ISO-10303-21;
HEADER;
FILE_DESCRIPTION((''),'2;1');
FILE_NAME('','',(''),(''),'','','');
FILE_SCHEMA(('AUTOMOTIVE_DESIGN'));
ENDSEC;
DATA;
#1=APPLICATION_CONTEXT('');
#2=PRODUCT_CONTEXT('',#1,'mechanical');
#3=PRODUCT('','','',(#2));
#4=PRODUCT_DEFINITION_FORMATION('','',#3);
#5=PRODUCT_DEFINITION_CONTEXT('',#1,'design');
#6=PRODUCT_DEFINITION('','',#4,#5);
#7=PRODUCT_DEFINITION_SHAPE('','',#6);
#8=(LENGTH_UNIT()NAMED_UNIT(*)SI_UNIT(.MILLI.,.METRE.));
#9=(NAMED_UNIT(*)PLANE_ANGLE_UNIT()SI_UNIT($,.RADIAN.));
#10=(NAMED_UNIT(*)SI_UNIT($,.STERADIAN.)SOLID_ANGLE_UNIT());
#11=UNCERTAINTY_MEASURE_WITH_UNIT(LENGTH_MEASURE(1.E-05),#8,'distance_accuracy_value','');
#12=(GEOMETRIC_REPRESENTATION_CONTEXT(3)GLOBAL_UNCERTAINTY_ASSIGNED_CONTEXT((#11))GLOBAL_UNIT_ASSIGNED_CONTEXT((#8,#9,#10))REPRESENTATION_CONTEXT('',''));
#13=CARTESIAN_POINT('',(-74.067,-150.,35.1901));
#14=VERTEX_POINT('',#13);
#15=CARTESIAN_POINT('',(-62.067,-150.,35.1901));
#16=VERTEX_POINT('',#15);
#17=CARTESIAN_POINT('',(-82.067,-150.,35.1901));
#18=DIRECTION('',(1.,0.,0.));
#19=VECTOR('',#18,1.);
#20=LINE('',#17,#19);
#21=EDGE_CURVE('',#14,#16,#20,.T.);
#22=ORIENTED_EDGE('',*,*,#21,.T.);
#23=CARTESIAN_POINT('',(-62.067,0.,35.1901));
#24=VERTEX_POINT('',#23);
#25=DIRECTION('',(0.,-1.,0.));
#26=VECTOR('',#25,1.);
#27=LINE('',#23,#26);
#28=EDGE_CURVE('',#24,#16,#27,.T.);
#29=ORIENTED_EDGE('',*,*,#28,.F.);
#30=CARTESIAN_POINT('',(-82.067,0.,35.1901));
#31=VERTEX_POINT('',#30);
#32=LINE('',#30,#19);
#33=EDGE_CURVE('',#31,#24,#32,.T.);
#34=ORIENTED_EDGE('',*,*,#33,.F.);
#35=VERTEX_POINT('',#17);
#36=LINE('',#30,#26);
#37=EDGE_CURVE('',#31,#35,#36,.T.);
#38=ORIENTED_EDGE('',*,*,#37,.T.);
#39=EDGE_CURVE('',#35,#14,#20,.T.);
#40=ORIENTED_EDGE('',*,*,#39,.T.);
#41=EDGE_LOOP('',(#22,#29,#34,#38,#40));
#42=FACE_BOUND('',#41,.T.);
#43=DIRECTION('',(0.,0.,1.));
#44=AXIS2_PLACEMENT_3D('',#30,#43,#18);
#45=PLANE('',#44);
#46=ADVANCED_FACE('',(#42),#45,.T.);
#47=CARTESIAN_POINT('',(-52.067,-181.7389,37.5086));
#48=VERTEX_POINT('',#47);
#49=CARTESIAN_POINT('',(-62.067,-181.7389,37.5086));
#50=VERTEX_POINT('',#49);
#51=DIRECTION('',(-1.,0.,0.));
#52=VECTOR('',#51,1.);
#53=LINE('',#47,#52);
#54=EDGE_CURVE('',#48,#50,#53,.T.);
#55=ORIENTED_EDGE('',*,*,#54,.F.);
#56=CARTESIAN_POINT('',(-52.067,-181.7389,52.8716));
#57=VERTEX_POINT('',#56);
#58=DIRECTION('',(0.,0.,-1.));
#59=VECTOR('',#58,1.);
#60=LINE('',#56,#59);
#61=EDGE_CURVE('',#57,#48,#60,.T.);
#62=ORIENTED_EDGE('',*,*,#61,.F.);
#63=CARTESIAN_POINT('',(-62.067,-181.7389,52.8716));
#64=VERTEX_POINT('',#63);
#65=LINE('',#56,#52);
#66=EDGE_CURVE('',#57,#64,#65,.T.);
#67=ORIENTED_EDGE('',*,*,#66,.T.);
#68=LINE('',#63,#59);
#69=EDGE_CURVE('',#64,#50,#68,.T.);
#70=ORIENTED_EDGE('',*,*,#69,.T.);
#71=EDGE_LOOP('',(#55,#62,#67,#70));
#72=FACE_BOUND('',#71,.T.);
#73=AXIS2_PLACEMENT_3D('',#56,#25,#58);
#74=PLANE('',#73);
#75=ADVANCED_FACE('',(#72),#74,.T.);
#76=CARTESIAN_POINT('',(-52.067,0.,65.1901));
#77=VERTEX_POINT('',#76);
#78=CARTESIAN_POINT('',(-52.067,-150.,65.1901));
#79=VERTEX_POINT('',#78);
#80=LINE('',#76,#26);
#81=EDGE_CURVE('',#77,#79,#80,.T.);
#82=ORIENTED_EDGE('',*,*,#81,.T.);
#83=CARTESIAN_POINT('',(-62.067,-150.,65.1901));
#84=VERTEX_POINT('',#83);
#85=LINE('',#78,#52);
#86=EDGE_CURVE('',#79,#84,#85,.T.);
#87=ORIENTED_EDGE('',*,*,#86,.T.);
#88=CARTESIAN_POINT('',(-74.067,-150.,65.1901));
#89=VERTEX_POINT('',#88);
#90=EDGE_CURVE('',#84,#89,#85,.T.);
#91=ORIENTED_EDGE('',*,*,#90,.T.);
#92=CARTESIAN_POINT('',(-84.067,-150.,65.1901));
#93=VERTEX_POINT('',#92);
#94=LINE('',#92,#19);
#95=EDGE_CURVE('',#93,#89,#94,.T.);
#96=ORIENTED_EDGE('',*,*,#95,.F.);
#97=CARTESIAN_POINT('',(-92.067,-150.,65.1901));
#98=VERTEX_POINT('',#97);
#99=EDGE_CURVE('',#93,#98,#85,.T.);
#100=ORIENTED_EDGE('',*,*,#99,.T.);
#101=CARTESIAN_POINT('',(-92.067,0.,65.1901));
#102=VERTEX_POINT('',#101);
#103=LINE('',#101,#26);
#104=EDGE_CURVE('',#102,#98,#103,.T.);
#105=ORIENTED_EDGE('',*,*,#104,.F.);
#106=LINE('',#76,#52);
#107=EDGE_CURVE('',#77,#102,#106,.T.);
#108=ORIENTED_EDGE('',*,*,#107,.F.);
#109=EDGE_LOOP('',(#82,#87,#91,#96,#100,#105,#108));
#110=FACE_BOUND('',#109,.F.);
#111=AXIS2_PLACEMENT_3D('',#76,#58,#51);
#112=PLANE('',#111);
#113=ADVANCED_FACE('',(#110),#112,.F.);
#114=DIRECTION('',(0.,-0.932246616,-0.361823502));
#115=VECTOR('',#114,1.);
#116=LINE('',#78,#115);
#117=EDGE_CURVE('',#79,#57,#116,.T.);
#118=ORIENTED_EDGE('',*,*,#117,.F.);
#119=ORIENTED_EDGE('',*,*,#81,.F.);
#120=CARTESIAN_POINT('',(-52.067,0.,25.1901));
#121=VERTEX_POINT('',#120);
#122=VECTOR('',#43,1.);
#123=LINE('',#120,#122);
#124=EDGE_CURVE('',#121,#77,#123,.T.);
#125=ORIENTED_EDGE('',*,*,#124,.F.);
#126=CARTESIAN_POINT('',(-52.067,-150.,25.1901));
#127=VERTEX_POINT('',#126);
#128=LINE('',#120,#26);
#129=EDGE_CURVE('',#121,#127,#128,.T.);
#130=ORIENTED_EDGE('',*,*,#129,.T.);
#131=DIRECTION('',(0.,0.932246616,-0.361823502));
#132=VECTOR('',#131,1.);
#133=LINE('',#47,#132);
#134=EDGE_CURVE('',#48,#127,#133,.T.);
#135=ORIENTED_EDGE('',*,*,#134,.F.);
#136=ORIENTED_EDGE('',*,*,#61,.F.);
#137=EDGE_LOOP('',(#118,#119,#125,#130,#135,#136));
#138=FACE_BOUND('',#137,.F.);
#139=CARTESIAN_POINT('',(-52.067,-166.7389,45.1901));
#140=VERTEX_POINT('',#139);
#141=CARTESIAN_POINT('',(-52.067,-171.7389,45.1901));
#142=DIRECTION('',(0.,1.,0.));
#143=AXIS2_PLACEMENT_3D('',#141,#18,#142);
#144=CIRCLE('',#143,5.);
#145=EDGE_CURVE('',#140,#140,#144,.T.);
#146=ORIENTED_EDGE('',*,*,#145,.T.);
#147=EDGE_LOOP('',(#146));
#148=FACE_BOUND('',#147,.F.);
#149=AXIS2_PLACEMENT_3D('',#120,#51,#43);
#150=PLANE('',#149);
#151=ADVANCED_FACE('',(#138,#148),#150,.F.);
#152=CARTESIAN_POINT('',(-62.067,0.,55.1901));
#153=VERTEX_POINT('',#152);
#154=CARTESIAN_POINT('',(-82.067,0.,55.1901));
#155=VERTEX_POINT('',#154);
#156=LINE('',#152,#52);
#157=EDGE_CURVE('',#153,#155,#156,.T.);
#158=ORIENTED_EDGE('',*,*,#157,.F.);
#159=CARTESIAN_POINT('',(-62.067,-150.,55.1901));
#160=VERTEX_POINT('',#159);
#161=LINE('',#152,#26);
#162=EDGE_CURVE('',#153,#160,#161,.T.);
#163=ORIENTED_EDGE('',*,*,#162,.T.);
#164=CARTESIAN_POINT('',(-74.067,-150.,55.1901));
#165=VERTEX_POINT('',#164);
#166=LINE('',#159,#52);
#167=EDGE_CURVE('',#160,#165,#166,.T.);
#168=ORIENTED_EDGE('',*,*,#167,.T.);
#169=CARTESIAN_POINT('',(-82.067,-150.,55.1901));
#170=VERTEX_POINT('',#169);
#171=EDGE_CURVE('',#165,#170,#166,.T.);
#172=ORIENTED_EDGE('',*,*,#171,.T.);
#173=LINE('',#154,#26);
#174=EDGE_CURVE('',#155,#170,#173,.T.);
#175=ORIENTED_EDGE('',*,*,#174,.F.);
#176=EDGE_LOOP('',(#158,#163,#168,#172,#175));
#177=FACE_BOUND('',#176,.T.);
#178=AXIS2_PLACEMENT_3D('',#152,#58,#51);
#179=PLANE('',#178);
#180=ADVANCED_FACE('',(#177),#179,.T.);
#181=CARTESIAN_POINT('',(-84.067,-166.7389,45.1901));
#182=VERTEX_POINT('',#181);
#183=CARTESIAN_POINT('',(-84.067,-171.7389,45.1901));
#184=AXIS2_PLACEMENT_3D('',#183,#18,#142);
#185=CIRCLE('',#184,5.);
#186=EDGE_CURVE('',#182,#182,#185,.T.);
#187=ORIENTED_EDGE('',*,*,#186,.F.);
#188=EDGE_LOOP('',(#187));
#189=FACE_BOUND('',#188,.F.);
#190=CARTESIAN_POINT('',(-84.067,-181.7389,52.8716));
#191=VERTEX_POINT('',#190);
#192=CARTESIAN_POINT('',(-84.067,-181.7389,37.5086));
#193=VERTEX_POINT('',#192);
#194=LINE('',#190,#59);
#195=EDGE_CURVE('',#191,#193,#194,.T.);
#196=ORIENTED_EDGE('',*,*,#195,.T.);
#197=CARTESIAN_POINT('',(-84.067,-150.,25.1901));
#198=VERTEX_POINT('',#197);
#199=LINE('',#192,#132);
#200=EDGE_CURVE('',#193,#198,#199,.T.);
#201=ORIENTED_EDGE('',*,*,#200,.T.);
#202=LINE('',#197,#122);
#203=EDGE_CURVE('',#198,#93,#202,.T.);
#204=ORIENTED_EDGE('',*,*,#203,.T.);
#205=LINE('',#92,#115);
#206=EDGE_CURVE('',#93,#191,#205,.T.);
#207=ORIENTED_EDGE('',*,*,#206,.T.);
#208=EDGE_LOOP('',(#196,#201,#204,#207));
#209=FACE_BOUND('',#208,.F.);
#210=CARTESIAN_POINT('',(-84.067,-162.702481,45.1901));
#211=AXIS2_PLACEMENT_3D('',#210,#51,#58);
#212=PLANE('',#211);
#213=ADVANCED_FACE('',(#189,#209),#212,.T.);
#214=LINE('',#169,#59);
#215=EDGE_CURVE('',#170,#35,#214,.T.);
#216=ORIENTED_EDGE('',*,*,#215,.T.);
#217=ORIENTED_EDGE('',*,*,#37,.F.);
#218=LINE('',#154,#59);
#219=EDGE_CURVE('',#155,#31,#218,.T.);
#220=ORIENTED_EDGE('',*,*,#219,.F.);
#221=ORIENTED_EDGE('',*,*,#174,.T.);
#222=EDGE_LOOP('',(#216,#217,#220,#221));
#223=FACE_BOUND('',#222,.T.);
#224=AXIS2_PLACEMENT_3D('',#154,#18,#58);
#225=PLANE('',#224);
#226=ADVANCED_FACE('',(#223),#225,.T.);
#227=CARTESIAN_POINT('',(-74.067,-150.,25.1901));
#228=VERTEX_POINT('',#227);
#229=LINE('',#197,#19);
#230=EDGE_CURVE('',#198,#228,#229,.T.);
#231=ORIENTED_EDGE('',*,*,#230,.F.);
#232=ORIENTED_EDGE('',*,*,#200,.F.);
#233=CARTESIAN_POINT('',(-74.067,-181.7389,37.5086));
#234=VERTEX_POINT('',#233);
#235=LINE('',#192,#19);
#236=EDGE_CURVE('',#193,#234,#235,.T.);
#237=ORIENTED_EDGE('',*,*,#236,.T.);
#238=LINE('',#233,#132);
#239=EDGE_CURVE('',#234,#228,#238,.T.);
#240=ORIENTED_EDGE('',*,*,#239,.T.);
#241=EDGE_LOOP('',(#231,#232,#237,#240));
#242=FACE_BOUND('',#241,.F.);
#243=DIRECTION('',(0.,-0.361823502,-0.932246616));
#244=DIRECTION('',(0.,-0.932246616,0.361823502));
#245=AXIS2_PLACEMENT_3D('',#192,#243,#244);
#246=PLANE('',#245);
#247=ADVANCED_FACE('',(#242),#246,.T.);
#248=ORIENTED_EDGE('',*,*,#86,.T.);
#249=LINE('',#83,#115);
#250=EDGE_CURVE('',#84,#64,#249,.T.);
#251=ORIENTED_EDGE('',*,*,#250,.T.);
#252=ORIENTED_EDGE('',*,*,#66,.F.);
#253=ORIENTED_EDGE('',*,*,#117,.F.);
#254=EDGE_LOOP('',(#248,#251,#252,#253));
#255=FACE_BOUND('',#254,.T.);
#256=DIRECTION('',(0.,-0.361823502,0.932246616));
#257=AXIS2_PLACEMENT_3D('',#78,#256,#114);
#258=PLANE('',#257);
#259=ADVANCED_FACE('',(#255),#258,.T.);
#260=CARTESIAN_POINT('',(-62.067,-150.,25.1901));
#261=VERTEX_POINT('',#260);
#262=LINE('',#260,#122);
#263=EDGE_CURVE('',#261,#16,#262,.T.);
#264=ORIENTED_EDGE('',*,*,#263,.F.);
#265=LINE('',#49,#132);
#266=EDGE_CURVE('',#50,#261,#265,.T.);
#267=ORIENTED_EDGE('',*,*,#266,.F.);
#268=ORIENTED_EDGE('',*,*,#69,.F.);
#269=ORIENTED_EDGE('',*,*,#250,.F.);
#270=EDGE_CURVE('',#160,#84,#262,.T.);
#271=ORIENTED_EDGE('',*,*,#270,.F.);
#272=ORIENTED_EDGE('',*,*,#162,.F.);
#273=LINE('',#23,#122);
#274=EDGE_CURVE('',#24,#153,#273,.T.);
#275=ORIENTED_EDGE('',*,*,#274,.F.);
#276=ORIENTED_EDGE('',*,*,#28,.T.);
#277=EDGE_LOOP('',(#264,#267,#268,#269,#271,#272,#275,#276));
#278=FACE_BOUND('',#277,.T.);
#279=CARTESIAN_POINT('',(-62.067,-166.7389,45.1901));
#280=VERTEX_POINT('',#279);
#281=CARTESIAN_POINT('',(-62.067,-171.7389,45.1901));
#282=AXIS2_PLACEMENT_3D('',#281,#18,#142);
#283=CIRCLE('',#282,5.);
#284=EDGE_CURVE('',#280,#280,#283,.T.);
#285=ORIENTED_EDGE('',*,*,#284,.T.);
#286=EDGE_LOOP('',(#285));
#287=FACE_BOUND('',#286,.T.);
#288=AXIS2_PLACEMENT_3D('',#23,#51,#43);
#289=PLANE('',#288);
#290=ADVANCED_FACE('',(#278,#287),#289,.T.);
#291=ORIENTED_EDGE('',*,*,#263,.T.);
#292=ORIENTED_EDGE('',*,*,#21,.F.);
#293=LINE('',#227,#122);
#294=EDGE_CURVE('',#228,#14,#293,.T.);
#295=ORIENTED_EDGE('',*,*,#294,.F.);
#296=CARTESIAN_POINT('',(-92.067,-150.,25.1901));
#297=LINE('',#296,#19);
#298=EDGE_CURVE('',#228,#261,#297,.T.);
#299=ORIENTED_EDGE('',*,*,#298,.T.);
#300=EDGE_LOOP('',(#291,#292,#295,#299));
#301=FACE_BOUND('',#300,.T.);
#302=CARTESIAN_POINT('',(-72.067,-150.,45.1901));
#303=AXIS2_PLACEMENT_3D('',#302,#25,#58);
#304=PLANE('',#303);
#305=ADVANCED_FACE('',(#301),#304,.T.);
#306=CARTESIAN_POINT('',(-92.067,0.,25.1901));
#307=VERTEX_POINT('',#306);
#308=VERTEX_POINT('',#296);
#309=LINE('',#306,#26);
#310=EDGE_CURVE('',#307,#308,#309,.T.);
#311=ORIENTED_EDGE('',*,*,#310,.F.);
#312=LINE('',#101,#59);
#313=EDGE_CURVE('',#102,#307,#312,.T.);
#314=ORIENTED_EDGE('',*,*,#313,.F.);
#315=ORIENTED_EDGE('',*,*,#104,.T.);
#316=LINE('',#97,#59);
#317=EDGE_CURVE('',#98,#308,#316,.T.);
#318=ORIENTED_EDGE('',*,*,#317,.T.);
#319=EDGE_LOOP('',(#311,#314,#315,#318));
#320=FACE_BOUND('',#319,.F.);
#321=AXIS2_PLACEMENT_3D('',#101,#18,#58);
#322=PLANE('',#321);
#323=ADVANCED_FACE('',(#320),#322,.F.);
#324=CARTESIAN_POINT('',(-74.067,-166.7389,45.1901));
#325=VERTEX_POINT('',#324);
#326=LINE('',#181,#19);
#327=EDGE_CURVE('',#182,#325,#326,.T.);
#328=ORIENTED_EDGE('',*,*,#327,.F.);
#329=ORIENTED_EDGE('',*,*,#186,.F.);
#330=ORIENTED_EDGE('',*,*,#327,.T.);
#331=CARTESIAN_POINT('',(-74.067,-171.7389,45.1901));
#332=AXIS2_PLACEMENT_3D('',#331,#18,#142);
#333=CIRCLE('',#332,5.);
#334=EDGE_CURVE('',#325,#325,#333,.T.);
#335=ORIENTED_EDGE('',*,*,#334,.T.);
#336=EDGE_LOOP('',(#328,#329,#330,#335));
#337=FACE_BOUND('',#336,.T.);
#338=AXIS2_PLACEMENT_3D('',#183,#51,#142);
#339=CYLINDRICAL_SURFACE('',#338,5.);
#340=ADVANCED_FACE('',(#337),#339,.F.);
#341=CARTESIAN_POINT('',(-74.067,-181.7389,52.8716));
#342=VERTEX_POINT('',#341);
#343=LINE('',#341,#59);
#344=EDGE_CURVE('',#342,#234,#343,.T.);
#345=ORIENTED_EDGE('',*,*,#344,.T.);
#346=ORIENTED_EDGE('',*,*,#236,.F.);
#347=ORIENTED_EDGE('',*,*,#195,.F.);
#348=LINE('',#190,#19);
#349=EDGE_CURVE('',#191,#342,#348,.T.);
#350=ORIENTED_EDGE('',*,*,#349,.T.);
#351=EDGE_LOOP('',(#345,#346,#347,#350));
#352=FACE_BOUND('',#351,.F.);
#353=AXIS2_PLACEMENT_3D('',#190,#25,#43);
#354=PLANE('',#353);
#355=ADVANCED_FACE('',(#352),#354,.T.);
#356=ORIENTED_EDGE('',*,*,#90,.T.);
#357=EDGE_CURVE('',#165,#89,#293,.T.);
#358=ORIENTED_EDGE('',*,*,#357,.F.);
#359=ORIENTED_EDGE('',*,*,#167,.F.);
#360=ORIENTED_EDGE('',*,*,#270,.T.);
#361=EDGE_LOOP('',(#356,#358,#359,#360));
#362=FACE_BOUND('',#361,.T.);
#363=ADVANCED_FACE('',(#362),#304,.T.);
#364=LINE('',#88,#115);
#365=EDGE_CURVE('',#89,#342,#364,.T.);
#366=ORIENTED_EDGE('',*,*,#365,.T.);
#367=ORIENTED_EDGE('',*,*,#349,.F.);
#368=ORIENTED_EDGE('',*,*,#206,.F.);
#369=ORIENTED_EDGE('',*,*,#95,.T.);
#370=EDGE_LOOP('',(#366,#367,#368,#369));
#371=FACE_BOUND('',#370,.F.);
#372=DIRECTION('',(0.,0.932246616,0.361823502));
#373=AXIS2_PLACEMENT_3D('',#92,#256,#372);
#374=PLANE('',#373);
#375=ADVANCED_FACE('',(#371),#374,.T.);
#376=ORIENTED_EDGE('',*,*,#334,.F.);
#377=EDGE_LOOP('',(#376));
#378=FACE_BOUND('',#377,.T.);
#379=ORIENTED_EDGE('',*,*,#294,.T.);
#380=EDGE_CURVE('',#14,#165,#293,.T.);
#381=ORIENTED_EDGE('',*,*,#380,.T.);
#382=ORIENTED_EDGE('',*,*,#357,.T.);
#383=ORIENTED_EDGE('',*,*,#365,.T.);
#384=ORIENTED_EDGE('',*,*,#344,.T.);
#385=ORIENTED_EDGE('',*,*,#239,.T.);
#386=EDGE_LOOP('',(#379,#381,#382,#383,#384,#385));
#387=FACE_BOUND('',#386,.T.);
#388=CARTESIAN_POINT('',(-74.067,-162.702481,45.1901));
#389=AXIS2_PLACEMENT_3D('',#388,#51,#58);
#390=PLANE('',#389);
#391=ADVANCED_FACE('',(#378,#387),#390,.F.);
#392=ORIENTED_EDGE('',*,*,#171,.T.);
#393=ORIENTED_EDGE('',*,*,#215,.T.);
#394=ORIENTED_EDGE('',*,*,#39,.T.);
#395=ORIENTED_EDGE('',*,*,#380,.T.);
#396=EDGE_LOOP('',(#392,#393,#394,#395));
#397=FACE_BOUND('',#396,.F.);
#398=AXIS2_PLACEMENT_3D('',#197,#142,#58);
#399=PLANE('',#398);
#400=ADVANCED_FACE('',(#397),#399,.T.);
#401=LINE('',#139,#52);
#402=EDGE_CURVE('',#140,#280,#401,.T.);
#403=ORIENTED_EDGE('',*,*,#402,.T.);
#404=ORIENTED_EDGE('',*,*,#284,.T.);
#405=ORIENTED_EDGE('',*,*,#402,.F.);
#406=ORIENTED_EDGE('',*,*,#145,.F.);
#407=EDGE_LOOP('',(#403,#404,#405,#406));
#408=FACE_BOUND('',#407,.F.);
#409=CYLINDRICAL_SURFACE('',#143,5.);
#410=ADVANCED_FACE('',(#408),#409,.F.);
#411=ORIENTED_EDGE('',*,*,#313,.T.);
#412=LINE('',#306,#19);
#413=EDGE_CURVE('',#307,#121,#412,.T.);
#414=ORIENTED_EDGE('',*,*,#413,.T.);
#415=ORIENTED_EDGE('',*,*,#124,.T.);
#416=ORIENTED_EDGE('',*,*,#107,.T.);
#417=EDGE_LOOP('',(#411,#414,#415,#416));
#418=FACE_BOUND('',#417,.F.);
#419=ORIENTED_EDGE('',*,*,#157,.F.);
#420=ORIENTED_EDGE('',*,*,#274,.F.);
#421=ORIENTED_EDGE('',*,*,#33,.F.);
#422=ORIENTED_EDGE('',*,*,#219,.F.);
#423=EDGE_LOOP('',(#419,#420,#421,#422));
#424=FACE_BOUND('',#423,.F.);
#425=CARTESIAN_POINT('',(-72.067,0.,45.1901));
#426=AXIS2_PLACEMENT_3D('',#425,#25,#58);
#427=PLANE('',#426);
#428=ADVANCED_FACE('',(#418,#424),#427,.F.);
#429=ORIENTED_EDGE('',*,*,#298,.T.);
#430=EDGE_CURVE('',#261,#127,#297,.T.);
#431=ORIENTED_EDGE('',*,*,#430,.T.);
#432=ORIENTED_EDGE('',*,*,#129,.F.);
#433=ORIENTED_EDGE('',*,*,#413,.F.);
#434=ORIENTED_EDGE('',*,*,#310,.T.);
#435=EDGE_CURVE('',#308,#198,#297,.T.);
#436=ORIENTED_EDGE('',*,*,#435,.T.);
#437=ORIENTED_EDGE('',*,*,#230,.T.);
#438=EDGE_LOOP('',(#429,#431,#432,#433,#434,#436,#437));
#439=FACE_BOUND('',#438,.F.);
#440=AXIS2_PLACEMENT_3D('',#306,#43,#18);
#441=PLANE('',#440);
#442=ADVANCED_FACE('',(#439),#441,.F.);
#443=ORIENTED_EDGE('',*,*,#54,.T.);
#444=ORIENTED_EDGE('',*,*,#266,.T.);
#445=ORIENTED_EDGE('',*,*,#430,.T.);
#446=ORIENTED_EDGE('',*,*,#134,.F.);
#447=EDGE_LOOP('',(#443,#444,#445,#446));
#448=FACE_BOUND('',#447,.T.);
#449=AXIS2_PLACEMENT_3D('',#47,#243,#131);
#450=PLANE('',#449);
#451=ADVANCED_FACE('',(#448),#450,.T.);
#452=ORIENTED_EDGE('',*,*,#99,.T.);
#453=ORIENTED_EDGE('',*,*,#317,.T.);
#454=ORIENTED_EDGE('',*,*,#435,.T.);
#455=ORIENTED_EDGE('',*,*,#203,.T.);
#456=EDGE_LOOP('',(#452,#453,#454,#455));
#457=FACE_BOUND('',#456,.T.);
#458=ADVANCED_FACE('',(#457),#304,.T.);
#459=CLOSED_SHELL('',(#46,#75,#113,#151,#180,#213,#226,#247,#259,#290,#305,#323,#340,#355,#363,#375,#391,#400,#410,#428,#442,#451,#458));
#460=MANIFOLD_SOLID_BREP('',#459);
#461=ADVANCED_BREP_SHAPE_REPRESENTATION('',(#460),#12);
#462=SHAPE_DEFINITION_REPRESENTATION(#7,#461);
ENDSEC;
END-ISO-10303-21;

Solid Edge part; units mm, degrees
sketch "Sketch1" plane through (0, 0, 0) normal (0, -1, 0) x (1, 0, 0)
  line L0 (-92.067, 25.1901) -> (-52.067, 25.1901)
  line L1 (-52.067, 25.1901) -> (-52.067, 65.1901)
  line L2 (-52.067, 65.1901) -> (-92.067, 65.1901)
  line L3 (-92.067, 65.1901) -> (-92.067, 25.1901)
  line L4 (-82.067, 35.1901) -> (-62.067, 35.1901)
  line L5 (-62.067, 35.1901) -> (-62.067, 55.1901)
  line L6 (-62.067, 55.1901) -> (-82.067, 55.1901)
  line L7 (-82.067, 55.1901) -> (-82.067, 35.1901)
  dimension "D1" = 20
  dimension "D2" = 20
  dimension "D3" = 40
  dimension "D4" = 40
extrude "Protrusion1" add sketch "Sketch1" along normal blind 150
sketch "Sketch2" plane through (-52.067, -75, 45.1901) normal (1, 0, 0) x (0, 1, 0)
  circle A0 centre (-96.7389, 0) radius 5
  line L0 (-75, 20) -> (-106.7389, 7.6815)
  line L1 (-106.7389, 7.6815) -> (-106.7389, -7.6815)
  line L2 (-106.7389, -7.6815) -> (-75, -20)
  line L3 (-75, -20) -> (-75, 20)
  dimension "D1" = 10
  dimension "D2" = 15.3631
  dimension "D3" = 10
extrude "ExtrudedProtrusion_2" add sketch "Sketch2" against normal blind 10
mirror "Mirror1" about plane through (-68.067, -90.8694, 45.1901) normal (1, 0, 0) of "ExtrudedProtrusion_2"
